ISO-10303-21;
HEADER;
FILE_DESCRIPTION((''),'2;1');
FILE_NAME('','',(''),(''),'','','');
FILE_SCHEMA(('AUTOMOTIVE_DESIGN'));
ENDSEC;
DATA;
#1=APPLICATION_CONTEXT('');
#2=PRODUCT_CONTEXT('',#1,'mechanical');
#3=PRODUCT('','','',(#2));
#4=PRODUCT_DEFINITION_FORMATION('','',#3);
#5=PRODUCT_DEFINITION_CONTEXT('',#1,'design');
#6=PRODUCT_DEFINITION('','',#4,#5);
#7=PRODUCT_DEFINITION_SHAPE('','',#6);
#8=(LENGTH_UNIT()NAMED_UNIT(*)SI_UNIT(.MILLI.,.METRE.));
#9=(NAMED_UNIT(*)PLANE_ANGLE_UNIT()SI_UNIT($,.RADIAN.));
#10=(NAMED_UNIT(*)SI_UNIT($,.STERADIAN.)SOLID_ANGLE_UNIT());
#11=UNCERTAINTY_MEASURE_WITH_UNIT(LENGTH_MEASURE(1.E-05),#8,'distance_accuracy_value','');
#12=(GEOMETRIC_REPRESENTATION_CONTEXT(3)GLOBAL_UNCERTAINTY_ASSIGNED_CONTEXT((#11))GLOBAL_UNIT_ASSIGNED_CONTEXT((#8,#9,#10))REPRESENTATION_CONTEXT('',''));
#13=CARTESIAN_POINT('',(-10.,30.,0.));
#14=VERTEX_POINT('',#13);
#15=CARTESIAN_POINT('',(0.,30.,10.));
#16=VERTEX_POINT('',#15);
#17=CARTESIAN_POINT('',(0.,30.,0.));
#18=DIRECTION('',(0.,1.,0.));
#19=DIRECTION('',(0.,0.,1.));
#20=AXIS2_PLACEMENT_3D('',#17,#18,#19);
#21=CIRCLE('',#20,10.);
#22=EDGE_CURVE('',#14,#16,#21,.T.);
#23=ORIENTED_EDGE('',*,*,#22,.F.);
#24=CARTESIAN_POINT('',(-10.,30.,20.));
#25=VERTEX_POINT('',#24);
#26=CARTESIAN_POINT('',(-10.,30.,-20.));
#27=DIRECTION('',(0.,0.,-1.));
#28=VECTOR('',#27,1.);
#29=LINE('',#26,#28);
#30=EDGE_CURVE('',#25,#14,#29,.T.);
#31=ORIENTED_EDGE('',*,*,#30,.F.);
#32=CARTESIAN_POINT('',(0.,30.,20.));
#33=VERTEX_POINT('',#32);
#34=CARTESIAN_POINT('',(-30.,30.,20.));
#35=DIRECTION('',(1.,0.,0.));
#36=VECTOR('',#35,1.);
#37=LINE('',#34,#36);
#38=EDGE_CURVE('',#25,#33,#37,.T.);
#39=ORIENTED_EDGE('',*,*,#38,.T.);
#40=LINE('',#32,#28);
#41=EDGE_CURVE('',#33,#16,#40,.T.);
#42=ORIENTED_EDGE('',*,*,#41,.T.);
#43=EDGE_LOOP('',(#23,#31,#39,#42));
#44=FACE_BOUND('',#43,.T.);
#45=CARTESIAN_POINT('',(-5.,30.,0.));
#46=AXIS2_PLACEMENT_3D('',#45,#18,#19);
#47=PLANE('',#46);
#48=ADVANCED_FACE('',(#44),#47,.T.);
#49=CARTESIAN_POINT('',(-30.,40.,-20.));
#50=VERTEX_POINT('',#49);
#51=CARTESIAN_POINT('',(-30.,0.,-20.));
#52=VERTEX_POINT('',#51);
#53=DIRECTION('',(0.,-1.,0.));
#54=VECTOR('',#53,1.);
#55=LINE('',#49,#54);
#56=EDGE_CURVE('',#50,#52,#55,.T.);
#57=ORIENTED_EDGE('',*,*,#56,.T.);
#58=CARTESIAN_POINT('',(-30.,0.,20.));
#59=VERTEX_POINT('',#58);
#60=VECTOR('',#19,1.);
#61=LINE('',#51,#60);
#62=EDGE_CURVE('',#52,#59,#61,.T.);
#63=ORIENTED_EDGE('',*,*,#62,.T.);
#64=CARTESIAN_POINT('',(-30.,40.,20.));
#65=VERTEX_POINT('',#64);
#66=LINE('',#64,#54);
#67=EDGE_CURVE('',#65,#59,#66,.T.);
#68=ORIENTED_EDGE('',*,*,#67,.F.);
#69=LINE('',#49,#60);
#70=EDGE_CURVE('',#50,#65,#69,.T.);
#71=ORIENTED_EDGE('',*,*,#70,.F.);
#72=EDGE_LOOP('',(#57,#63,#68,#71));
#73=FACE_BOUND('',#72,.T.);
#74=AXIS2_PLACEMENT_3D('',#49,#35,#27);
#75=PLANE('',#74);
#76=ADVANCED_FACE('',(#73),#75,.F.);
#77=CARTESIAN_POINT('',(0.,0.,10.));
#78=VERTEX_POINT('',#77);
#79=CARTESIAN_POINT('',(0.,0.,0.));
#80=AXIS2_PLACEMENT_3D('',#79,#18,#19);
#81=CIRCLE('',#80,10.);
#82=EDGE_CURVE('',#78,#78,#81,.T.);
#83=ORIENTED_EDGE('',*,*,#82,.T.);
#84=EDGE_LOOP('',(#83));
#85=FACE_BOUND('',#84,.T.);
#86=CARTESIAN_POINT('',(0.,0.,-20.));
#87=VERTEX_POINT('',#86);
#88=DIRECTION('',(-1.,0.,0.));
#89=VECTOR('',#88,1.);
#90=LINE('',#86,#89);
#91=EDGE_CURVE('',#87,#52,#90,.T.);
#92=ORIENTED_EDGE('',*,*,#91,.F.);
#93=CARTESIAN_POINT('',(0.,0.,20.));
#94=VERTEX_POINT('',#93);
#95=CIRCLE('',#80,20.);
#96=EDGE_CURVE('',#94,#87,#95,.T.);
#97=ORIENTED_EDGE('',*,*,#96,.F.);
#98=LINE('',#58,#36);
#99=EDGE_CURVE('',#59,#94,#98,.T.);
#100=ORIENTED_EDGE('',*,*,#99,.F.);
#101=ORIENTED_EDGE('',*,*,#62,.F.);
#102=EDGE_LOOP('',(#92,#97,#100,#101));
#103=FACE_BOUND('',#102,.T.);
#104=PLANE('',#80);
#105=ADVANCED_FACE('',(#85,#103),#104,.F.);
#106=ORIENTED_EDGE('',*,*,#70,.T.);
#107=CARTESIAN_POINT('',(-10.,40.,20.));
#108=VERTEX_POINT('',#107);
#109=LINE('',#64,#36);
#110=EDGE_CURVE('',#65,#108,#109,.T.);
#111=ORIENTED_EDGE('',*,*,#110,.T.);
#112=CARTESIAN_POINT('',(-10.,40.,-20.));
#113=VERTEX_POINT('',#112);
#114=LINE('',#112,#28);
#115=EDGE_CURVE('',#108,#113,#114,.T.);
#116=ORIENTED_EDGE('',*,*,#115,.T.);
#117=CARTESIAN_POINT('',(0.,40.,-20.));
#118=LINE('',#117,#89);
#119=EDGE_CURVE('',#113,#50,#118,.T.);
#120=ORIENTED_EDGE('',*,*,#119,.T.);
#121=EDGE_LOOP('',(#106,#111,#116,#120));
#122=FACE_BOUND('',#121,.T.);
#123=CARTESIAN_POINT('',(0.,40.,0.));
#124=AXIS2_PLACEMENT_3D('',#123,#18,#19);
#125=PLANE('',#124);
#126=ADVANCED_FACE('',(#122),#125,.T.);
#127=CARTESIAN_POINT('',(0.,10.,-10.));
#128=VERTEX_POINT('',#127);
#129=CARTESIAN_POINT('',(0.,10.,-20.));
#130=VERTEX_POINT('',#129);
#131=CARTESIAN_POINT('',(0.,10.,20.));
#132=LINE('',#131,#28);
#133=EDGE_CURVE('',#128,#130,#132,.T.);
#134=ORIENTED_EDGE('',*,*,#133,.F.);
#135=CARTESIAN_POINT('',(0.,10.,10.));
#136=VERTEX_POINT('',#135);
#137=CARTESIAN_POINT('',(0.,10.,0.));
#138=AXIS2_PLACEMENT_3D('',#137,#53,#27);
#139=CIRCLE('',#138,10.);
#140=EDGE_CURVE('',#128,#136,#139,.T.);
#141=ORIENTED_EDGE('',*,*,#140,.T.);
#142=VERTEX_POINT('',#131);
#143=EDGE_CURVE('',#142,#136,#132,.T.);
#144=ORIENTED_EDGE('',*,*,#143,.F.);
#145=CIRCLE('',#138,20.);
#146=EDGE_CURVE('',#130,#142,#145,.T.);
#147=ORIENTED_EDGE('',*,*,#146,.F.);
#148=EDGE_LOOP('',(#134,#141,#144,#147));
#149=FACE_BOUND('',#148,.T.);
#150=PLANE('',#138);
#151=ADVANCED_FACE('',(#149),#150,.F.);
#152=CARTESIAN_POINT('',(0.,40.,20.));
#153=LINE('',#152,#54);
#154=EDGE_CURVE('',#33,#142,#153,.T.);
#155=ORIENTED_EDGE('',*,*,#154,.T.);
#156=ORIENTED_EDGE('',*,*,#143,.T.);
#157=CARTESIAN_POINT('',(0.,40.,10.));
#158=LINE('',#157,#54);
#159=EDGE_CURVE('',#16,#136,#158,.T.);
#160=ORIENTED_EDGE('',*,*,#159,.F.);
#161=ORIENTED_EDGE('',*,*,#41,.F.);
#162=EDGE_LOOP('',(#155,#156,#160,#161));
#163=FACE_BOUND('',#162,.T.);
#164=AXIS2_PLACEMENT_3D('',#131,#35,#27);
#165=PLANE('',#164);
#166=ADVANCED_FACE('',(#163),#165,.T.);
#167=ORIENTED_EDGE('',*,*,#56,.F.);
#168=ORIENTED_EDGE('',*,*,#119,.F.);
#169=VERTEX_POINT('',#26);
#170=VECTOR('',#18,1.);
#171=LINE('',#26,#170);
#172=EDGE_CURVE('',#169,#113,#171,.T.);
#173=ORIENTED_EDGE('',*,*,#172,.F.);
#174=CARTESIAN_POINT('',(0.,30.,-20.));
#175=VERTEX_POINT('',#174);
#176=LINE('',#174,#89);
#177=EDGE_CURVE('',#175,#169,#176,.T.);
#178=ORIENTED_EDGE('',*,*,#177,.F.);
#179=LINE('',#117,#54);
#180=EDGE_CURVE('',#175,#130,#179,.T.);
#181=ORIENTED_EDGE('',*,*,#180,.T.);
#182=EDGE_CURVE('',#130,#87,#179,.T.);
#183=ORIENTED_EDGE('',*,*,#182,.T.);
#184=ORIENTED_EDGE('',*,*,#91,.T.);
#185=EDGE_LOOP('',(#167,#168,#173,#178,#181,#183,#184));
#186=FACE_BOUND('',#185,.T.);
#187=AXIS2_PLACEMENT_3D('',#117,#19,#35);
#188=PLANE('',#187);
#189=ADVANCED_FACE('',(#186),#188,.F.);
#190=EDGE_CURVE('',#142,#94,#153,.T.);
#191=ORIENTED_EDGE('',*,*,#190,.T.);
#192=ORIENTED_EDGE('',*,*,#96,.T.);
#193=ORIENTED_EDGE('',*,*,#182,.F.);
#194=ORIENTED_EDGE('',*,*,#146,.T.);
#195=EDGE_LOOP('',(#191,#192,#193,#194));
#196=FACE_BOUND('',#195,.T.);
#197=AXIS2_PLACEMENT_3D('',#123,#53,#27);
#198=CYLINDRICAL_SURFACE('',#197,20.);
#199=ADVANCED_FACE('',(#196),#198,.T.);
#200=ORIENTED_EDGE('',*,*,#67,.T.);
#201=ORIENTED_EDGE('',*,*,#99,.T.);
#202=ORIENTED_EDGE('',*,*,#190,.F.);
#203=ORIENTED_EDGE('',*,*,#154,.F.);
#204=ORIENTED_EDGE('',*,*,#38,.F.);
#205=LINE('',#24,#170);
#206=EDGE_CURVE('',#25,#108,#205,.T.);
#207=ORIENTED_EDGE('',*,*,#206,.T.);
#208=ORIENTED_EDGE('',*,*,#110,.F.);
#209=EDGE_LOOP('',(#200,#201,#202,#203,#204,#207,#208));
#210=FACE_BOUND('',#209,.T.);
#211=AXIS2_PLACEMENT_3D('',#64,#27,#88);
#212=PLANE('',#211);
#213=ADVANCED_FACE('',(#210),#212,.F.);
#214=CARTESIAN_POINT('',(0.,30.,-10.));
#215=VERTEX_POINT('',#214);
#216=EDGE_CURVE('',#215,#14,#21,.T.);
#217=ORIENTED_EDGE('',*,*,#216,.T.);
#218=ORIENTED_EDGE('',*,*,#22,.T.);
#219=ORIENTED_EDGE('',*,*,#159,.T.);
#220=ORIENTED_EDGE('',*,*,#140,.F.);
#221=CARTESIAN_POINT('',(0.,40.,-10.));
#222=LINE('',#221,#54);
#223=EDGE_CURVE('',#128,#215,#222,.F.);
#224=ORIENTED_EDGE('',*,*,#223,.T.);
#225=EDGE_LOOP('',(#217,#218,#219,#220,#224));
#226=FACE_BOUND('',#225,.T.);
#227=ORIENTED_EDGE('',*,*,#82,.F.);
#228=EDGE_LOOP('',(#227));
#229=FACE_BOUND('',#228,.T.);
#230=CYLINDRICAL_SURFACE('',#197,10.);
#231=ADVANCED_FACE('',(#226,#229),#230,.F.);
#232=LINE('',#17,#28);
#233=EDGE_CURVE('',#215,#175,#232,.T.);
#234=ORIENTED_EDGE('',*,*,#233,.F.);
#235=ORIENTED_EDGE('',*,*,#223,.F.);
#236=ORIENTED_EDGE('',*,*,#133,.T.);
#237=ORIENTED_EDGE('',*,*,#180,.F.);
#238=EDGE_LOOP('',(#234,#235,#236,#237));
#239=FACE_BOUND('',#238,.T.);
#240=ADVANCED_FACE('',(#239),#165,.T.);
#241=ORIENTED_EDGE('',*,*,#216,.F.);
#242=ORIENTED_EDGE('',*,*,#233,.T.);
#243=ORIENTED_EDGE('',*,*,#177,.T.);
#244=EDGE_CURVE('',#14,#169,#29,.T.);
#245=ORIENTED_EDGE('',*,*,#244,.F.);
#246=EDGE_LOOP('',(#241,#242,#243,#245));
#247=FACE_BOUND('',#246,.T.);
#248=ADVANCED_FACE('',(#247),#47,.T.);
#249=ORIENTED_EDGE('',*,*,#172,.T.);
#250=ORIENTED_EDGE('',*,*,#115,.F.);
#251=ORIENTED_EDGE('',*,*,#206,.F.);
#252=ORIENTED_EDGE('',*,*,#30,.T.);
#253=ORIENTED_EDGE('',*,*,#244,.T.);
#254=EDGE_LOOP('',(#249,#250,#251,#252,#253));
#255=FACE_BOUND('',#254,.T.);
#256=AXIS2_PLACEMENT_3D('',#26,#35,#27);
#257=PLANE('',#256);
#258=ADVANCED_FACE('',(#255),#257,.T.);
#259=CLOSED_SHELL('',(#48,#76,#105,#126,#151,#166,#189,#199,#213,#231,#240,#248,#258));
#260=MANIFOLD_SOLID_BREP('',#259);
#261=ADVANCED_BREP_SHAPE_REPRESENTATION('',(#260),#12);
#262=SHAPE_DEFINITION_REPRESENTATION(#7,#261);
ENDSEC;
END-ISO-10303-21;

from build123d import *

# Parameters (mm, degrees)
SKETCH1_R           = 10
BOSS_EXTRUDE1_DEPTH = 40
SKETCH2_OUTSIDE_W   = 67.1
SKETCH2_OUTSIDE_H   = 57.1
SKETCH2_OUTSIDE_W_2 = 20
SKETCH2_OUTSIDE_H_2 = 40
CUT_EXTRUDE1_DEPTH  = 10
SKETCH3_W           = 22.643169196
SKETCH3_H           = 40
CUT_EXTRUDE2_DEPTH  = 20


with BuildPart() as part:
    # Sketch1 → Boss-Extrude1 (new body)
    with BuildSketch(Plane(origin=(0, 0, 0), x_dir=(1, 0, 0), z_dir=(0, 1, 0))):
        with BuildLine():
            Line((0, 20), (-30, 20))
            Line((-30, 20), (-30, -20))
            Line((-30, -20), (0, -20))
            ThreePointArc((0, -20), (20, 0), (0, 20))
        make_face()
        with Locations(Location((0, 0, 0), (0, 0, 270))):
            Circle(SKETCH1_R, mode=Mode.SUBTRACT)
    extrude(amount=BOSS_EXTRUDE1_DEPTH)

    # Sketch2 outside → Cut-Extrude1 (cut)
    with BuildSketch(Plane(origin=(0, 40, 0), x_dir=(1, 0, 0), z_dir=(0, 1, 0))):
        with Locations((-5, 0)):
            Rectangle(SKETCH2_OUTSIDE_W, SKETCH2_OUTSIDE_H)
        with Locations((-20, 0)):
            Rectangle(SKETCH2_OUTSIDE_W_2, SKETCH2_OUTSIDE_H_2, mode=Mode.SUBTRACT)
    extrude(amount=-CUT_EXTRUDE1_DEPTH, mode=Mode.SUBTRACT)

    # Sketch3 → Cut-Extrude2 (cut)
    with BuildSketch(Plane(origin=(0, 30, 0), x_dir=(1, 0, 0), z_dir=(0, 1, 0))):
        with Locations((11.321584598, 0)):
            Rectangle(SKETCH3_W, SKETCH3_H)
    extrude(amount=-CUT_EXTRUDE2_DEPTH, mode=Mode.SUBTRACT)


solid = part.part
